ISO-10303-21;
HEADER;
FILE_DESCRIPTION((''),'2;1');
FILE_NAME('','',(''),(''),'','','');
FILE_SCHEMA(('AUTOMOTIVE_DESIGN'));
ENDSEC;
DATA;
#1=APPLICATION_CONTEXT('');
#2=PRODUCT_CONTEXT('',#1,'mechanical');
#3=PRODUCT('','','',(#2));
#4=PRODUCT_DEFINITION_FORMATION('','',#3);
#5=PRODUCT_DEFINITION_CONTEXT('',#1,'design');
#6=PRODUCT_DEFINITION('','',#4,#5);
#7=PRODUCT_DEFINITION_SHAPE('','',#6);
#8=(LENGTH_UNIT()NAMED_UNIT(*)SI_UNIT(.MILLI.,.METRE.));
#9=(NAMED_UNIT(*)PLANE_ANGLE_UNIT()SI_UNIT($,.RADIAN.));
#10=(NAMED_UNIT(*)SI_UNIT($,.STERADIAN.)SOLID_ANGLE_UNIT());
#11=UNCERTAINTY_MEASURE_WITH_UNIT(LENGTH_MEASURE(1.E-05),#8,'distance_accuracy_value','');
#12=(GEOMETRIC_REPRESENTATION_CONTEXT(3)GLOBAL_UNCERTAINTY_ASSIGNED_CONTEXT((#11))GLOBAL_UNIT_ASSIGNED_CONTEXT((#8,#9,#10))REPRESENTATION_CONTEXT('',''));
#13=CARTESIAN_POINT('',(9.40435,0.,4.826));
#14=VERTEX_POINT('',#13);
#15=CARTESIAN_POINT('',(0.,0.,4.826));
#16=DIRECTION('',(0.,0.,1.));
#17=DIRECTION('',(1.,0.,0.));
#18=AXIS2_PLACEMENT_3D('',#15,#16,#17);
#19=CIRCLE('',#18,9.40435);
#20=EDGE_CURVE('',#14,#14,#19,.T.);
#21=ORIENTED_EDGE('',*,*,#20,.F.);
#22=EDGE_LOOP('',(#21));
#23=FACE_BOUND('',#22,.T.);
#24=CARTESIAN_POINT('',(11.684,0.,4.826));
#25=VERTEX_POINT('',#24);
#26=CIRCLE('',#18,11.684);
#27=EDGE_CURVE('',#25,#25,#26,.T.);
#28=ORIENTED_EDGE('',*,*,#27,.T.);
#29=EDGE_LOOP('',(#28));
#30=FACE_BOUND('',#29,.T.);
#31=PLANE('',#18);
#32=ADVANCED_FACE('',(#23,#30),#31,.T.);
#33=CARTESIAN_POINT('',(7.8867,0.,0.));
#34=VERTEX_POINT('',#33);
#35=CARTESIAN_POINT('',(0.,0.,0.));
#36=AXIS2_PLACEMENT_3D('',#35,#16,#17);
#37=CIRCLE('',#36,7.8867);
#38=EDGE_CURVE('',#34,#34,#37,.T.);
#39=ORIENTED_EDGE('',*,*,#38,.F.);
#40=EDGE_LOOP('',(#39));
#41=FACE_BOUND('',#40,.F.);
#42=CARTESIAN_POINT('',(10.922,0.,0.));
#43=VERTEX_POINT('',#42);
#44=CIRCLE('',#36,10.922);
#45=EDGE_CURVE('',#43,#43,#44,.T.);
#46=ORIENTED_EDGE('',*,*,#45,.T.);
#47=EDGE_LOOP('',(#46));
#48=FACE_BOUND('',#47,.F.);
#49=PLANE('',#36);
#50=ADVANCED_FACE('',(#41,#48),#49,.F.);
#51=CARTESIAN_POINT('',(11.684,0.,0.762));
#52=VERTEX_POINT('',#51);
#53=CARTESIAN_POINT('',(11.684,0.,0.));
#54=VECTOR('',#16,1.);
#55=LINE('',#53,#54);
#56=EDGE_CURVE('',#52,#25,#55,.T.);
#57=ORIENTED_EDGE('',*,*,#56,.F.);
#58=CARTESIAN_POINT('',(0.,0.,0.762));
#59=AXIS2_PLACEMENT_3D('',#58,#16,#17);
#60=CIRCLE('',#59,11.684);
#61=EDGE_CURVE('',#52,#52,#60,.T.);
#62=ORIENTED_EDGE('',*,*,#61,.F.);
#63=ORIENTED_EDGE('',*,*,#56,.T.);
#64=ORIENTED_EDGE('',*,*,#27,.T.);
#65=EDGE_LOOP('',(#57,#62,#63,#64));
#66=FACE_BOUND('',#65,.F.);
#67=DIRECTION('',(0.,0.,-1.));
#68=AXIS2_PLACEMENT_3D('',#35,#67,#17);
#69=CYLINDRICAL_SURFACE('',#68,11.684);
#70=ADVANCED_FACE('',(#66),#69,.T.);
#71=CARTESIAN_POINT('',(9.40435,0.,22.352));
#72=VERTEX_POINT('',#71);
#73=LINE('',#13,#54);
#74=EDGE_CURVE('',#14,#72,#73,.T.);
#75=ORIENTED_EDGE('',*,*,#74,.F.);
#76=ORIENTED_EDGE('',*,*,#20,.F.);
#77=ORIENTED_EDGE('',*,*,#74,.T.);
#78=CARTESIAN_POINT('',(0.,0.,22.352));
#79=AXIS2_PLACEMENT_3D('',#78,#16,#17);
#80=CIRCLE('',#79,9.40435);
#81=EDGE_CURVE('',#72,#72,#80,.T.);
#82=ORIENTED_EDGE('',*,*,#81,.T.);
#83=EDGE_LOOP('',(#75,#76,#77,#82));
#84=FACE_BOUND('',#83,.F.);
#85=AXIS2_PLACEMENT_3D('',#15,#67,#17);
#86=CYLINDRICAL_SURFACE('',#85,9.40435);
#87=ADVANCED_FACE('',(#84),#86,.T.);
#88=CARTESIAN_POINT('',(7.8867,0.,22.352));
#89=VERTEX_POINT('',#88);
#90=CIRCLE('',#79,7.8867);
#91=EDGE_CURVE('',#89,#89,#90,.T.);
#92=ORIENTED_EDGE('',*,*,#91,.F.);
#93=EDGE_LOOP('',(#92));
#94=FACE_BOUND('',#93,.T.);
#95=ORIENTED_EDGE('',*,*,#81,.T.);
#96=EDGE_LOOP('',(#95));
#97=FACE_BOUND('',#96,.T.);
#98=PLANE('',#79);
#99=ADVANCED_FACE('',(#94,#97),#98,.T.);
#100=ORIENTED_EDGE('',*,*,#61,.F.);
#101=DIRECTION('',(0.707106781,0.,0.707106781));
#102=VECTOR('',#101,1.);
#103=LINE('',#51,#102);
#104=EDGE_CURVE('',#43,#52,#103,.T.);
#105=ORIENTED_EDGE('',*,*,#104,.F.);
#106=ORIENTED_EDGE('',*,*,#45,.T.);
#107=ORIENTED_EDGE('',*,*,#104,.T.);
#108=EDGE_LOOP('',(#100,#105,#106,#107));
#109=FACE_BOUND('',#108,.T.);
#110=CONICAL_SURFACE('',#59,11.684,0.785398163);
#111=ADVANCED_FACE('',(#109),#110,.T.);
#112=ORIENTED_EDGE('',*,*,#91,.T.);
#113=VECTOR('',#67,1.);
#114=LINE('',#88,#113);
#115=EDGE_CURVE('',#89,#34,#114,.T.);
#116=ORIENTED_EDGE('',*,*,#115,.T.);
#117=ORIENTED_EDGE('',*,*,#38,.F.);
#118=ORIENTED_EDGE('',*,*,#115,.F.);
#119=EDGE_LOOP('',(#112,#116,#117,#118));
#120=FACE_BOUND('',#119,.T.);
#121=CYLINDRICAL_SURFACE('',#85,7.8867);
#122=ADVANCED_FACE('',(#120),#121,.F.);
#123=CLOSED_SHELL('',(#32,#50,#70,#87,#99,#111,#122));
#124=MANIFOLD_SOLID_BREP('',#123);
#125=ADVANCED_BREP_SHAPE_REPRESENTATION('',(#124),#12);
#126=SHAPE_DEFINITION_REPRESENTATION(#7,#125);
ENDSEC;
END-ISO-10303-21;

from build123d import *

# Parameters (mm, degrees)
F0_R     = 11.684
F0_R_2   = 7.8867
F1_DEPTH = 4.826
F2_R     = 9.40435
F2_R_2   = 7.8867
F3_DEPTH = 17.526
F4_SIZE2 = 0.762
F4_SIZE  = 0.762


with BuildPart() as f1:
    # F0 (on Top) → F1 (new body)
    with BuildSketch(Plane.XY):
        Circle(F0_R)
        Circle(F0_R_2, mode=Mode.SUBTRACT)
    extrude(amount=F1_DEPTH)

    # F2 (on face) → F3 (join)
    with BuildSketch(Plane.XY.offset(4.826)):
        Circle(F2_R)
        Circle(F2_R_2, mode=Mode.SUBTRACT)
    extrude(amount=F3_DEPTH)

    # F4
    f4_edges = [f1.edges().sort_by_distance(p)[0] for p in [
        (-11.684, 0, 0),
    ]]
    chamfer(f4_edges, length=F4_SIZE, length2=F4_SIZE2)


solid = f1.part
